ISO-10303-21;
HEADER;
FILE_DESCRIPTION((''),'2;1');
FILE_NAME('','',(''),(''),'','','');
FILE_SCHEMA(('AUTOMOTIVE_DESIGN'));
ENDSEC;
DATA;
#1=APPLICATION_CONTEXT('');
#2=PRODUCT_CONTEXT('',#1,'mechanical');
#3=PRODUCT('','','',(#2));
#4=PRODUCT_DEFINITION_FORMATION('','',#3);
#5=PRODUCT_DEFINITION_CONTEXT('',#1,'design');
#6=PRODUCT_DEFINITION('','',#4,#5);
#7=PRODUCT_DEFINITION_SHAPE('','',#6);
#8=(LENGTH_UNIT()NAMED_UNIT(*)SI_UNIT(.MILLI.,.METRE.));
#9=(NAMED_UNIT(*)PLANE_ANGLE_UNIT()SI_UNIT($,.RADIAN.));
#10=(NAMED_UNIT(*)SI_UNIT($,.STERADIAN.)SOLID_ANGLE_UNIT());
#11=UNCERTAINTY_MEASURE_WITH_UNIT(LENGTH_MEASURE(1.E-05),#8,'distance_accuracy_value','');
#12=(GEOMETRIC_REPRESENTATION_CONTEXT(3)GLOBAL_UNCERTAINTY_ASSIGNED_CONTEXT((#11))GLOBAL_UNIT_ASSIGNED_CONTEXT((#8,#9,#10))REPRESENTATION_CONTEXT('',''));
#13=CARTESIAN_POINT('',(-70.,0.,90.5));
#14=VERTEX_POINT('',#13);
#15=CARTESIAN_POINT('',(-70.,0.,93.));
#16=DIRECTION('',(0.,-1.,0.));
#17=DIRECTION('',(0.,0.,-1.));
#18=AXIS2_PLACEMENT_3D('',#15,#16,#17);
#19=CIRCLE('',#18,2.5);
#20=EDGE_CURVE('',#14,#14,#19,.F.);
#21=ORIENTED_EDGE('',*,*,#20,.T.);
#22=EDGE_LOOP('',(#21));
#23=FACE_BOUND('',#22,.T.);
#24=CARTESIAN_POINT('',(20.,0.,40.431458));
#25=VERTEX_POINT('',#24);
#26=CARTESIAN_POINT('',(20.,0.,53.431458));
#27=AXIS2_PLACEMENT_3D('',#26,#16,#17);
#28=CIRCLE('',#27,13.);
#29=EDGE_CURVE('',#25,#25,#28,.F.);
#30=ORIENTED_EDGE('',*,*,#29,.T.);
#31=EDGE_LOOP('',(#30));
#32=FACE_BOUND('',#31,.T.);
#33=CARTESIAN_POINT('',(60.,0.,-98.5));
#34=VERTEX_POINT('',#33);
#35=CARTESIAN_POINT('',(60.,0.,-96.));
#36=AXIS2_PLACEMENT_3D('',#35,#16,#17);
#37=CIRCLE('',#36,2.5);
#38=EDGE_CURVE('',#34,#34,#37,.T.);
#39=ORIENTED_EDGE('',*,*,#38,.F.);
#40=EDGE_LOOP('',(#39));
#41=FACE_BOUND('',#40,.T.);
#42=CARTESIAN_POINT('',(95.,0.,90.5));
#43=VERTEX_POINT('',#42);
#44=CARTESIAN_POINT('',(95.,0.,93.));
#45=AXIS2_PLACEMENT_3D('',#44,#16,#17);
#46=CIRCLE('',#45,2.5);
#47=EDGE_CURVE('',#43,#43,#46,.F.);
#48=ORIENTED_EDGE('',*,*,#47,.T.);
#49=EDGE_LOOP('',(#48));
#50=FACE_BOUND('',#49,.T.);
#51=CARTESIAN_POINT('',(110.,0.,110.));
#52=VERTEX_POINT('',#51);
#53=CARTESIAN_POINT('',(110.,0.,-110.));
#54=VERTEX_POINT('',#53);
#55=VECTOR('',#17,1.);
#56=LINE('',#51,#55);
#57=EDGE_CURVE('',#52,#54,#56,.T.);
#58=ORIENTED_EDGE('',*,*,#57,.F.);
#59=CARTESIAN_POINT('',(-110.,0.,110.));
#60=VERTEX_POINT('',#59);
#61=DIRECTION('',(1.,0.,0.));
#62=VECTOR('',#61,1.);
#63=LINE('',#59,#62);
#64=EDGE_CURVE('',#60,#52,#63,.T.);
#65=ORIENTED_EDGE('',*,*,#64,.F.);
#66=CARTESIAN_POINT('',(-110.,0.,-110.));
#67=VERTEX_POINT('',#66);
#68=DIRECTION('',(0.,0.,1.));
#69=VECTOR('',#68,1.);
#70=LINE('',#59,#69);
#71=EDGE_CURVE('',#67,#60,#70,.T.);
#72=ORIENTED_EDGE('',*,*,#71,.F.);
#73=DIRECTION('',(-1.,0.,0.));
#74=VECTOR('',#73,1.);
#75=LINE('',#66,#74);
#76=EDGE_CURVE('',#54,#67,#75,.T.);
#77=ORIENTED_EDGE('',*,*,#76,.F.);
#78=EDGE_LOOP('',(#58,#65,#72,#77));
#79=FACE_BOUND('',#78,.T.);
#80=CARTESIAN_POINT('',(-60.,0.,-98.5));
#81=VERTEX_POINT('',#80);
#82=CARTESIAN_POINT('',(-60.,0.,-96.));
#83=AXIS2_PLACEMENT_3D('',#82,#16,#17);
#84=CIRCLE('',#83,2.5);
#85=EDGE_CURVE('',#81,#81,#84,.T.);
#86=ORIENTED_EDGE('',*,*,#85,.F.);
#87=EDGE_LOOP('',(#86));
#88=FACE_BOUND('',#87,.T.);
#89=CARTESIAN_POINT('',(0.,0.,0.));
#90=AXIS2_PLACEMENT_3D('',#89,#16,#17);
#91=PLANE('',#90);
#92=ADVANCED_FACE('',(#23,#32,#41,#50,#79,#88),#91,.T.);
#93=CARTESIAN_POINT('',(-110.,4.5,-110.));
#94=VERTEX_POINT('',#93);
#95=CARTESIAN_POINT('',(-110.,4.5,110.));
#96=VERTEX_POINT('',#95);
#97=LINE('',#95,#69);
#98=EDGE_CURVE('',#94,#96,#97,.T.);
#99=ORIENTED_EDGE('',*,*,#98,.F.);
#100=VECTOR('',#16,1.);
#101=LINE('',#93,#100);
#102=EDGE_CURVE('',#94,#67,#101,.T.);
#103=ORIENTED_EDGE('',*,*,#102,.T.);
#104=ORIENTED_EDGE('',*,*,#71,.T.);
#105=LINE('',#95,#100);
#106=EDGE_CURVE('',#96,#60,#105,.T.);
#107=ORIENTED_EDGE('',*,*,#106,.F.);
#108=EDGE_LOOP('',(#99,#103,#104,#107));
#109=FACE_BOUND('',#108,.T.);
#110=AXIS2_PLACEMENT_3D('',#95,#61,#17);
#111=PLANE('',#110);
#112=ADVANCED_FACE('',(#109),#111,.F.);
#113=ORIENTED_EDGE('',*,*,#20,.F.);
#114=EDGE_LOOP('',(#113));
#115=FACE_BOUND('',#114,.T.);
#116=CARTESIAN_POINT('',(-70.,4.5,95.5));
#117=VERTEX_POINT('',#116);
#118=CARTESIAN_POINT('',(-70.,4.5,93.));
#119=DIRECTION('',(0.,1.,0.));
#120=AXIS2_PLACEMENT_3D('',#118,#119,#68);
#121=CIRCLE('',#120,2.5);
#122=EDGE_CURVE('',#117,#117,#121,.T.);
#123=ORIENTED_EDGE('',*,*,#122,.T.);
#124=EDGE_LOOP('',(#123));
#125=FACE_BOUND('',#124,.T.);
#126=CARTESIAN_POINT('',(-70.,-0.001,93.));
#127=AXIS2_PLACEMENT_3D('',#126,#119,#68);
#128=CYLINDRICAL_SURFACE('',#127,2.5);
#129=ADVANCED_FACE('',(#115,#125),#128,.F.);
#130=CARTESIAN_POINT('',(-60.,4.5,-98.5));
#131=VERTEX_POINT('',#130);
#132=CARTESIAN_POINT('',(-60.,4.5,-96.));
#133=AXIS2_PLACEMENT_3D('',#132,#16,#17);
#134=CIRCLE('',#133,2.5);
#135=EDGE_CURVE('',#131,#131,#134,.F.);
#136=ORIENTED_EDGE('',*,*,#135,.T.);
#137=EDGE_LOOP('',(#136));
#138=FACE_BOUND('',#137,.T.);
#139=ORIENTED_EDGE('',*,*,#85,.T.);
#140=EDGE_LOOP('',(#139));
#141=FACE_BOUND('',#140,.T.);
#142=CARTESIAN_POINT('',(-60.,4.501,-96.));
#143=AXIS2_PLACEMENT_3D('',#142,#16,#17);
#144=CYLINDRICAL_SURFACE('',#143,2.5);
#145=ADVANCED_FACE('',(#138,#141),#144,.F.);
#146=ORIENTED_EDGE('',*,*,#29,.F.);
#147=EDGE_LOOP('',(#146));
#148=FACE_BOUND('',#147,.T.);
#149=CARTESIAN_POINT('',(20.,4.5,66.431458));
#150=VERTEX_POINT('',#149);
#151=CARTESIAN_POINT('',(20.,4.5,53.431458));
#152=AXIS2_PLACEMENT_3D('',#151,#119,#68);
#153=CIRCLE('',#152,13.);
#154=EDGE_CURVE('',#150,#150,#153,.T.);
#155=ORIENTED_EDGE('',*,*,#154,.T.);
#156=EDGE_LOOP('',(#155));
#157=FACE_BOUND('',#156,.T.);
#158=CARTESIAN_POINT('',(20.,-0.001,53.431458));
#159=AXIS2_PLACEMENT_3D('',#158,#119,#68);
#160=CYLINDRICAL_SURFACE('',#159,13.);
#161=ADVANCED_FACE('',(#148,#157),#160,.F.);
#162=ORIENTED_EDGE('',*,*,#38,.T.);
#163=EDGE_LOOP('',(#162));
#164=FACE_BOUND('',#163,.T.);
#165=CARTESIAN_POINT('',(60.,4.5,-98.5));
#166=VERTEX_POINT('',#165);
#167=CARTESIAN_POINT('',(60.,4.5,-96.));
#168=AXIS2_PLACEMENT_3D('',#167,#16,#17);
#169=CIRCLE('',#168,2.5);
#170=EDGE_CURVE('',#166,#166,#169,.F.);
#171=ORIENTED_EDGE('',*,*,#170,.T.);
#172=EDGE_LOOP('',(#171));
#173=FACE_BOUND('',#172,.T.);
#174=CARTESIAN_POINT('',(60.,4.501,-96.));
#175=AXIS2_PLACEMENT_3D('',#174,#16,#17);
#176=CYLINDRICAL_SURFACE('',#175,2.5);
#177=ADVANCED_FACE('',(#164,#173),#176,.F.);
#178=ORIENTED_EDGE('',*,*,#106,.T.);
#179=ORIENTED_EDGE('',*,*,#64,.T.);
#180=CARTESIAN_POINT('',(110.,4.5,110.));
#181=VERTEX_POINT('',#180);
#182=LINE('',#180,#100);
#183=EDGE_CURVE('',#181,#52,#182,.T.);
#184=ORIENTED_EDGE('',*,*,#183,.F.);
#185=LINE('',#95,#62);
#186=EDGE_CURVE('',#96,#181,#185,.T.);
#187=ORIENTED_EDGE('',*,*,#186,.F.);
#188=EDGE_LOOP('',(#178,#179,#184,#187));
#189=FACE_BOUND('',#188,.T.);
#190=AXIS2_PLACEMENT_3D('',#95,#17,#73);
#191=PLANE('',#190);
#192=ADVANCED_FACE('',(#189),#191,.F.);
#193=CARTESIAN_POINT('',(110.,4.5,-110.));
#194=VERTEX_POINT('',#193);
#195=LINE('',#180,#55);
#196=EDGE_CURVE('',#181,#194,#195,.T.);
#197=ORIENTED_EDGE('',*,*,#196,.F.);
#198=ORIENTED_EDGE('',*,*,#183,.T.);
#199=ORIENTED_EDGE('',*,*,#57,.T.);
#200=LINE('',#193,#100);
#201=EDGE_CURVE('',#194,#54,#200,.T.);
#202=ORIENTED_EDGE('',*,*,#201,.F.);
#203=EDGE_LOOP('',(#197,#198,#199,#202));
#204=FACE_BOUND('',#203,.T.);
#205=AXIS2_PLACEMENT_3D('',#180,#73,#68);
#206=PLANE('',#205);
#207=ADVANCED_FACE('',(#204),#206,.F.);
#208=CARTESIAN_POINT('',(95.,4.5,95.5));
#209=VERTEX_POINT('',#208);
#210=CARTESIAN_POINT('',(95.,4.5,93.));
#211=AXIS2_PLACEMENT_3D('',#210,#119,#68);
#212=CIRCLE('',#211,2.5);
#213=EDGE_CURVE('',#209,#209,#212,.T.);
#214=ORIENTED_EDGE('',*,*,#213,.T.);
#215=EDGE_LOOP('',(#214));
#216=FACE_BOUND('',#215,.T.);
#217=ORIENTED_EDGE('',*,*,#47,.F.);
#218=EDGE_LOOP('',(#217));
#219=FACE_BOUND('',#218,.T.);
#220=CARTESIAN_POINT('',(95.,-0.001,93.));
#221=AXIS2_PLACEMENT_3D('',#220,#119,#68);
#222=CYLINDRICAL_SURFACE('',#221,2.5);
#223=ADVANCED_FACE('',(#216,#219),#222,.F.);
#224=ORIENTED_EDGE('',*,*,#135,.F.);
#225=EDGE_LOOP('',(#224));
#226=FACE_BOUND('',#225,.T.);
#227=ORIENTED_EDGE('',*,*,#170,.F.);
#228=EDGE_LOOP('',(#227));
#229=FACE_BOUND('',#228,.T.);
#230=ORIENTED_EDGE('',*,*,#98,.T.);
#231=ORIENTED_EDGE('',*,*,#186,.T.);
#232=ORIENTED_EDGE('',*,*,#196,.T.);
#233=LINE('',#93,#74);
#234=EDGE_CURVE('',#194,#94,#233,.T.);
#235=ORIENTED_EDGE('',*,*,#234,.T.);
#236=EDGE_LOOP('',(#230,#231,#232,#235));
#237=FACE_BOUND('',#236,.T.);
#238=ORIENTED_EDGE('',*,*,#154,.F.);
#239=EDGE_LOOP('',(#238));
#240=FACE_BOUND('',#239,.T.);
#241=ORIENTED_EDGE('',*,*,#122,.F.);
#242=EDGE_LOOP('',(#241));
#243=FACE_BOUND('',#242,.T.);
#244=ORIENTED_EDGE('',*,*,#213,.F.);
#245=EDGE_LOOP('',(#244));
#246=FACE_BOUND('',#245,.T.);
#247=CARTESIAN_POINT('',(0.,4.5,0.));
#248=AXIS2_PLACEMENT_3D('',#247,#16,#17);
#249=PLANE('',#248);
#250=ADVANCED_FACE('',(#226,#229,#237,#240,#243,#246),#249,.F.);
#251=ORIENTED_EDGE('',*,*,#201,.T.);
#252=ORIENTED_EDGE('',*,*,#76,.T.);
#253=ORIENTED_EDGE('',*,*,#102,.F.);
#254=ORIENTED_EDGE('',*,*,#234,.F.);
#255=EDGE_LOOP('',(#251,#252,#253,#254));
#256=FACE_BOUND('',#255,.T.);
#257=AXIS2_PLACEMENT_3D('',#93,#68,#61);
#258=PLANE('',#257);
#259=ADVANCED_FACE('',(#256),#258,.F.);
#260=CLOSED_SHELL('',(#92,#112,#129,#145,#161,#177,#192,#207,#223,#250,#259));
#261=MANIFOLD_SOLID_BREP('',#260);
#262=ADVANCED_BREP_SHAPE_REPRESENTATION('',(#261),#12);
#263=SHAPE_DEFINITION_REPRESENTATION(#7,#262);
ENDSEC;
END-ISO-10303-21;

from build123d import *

# Parameters (mm, degrees)
SKETCH1_W           = 220
SKETCH1_H           = 220
BOSS_EXTRUDE1_DEPTH = 4.5
CUT_EXTRUDE1_REACH  = 6.5
SKETCH2_R           = 13
CUT_EXTRUDE2_REACH  = 6.5
SKETCH3_R           = 2.5
CUT_EXTRUDE3_REACH  = 6.5
SKETCH4_R           = 2.5


with BuildPart() as part:
    # Sketch1 → Boss-Extrude1 (new body)
    with BuildSketch(Plane(origin=(0, 0, 0), x_dir=(1, 0, 0), z_dir=(0, 1, 0))):
        Rectangle(SKETCH1_W, SKETCH1_H)
    extrude(amount=BOSS_EXTRUDE1_DEPTH)

    # Sketch2 → Cut-Extrude1 (cut, up to next)
    with BuildSketch(Plane(origin=(0, 4.5, 0), x_dir=(1, 0, 0), z_dir=(0, 1, 0)), mode=Mode.PRIVATE) as cut_extrude1_sk1:
        with Locations((20, -53.431457505)):
            Circle(SKETCH2_R)
    cut_extrude1_tool1 = extrude(cut_extrude1_sk1.sketch, amount=-CUT_EXTRUDE1_REACH, mode=Mode.PRIVATE) & part.part
    add(cut_extrude1_tool1.solids().sort_by_distance((20, 4.5, 53.431458))[0], mode=Mode.SUBTRACT)

    # Sketch3 → Cut-Extrude2 (cut, up to next)
    with BuildSketch(Plane(origin=(0, 4.5, 0), x_dir=(1, 0, 0), z_dir=(0, 1, 0)), mode=Mode.PRIVATE) as cut_extrude2_sk1:
        with Locations((95, -93)):
            Circle(SKETCH3_R)
    cut_extrude2_tool1 = extrude(cut_extrude2_sk1.sketch, amount=-CUT_EXTRUDE2_REACH, mode=Mode.PRIVATE) & part.part
    add(cut_extrude2_tool1.solids().sort_by_distance((95, 4.5, 93))[0], mode=Mode.SUBTRACT)
    # Sketch3 → Cut-Extrude2 (cut, up to next)
    with BuildSketch(Plane(origin=(0, 4.5, 0), x_dir=(1, 0, 0), z_dir=(0, 1, 0)), mode=Mode.PRIVATE) as cut_extrude2_sk2:
        with Locations((-70, -93)):
            Circle(SKETCH3_R)
    cut_extrude2_tool2 = extrude(cut_extrude2_sk2.sketch, amount=-CUT_EXTRUDE2_REACH, mode=Mode.PRIVATE) & part.part
    add(cut_extrude2_tool2.solids().sort_by_distance((-70, 4.5, 93))[0], mode=Mode.SUBTRACT)

    # Sketch4 → Cut-Extrude3 (cut, up to next)
    with BuildSketch(Plane(origin=(0, 0, 0), x_dir=(-1, 0, 0), z_dir=(0, -1, 0)), mode=Mode.PRIVATE) as cut_extrude3_sk1:
        with Locations((-60, 96)):
            Circle(SKETCH4_R)
    cut_extrude3_tool1 = extrude(cut_extrude3_sk1.sketch, amount=-CUT_EXTRUDE3_REACH, mode=Mode.PRIVATE) & part.part
    add(cut_extrude3_tool1.solids().sort_by_distance((60, 0, -96))[0], mode=Mode.SUBTRACT)
    # Sketch4 → Cut-Extrude3 (cut, up to next)
    with BuildSketch(Plane(origin=(0, 0, 0), x_dir=(-1, 0, 0), z_dir=(0, -1, 0)), mode=Mode.PRIVATE) as cut_extrude3_sk2:
        with Locations((60, 96)):
            Circle(SKETCH4_R)
    cut_extrude3_tool2 = extrude(cut_extrude3_sk2.sketch, amount=-CUT_EXTRUDE3_REACH, mode=Mode.PRIVATE) & part.part
    add(cut_extrude3_tool2.solids().sort_by_distance((-60, 0, -96))[0], mode=Mode.SUBTRACT)


solid = part.part
